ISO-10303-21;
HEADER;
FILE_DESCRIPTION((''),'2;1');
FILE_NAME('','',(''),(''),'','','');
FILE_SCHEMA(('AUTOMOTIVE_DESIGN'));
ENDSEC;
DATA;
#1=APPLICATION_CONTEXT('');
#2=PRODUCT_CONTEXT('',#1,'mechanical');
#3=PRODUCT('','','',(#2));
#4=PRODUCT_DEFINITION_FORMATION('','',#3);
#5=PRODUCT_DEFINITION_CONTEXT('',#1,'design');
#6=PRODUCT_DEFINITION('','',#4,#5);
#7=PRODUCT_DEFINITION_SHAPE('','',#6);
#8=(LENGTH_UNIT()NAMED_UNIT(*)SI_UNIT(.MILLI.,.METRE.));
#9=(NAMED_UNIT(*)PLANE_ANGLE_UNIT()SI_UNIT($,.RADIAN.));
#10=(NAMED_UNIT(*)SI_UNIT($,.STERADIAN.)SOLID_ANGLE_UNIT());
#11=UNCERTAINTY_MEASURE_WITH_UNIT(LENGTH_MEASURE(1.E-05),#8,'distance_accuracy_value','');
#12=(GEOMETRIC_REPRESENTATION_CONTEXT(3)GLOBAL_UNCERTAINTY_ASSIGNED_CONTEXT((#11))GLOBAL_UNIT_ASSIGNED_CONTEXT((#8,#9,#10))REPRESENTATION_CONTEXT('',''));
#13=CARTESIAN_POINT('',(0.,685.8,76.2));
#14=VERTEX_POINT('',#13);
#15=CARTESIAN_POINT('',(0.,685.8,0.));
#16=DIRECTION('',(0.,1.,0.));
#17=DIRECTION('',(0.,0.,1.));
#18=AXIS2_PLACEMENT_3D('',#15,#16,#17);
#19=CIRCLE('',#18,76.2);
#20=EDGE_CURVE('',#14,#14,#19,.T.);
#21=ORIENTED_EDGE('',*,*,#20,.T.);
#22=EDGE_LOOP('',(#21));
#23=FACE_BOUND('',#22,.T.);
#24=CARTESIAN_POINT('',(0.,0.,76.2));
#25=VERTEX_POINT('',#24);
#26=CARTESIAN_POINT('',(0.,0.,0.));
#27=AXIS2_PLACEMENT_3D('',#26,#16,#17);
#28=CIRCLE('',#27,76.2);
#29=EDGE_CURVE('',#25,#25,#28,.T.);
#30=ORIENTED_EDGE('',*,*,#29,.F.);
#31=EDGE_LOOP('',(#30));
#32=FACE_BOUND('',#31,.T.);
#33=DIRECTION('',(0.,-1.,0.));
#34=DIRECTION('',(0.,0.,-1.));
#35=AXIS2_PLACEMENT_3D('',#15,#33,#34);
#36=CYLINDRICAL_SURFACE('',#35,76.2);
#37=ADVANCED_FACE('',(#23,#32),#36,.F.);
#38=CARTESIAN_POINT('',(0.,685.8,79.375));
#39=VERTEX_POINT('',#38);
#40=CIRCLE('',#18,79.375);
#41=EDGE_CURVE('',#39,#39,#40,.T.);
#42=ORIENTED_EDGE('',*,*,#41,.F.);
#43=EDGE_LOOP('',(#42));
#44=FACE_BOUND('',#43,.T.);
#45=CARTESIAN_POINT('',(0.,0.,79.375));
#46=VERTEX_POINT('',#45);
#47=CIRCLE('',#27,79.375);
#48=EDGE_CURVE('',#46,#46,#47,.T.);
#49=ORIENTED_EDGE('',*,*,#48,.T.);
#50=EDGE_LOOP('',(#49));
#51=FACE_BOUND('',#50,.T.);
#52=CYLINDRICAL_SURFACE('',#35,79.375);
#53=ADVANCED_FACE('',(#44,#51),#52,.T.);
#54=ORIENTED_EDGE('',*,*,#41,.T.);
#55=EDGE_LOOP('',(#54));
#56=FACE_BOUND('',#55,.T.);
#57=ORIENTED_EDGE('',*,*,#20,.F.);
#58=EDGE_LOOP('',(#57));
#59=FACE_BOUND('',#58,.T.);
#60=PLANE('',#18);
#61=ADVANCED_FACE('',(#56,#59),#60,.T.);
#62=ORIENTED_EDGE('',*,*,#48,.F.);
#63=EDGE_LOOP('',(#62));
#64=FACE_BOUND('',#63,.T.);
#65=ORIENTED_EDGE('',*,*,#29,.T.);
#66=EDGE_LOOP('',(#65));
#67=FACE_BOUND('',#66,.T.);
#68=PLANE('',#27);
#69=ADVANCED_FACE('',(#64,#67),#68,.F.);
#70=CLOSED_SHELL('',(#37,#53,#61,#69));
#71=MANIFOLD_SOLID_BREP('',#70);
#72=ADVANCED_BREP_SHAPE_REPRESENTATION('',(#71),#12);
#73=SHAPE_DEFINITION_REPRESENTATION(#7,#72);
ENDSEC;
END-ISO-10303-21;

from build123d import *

# Parameters (mm, degrees)
SKETCH1_R           = 79.375
SKETCH1_R_2         = 76.2
BOSS_EXTRUDE1_DEPTH = 685.8


with BuildPart() as part:
    # Sketch1 → Boss-Extrude1 (new body)
    with BuildSketch(Plane(origin=(0, 0, 0), x_dir=(1, 0, 0), z_dir=(0, 1, 0))):
        with Locations(Location((0, 0, 0), (0, 0, 270))):
            Circle(SKETCH1_R)
        with Locations(Location((0, 0, 0), (0, 0, 270))):
            Circle(SKETCH1_R_2, mode=Mode.SUBTRACT)
    extrude(amount=BOSS_EXTRUDE1_DEPTH)


solid = part.part
